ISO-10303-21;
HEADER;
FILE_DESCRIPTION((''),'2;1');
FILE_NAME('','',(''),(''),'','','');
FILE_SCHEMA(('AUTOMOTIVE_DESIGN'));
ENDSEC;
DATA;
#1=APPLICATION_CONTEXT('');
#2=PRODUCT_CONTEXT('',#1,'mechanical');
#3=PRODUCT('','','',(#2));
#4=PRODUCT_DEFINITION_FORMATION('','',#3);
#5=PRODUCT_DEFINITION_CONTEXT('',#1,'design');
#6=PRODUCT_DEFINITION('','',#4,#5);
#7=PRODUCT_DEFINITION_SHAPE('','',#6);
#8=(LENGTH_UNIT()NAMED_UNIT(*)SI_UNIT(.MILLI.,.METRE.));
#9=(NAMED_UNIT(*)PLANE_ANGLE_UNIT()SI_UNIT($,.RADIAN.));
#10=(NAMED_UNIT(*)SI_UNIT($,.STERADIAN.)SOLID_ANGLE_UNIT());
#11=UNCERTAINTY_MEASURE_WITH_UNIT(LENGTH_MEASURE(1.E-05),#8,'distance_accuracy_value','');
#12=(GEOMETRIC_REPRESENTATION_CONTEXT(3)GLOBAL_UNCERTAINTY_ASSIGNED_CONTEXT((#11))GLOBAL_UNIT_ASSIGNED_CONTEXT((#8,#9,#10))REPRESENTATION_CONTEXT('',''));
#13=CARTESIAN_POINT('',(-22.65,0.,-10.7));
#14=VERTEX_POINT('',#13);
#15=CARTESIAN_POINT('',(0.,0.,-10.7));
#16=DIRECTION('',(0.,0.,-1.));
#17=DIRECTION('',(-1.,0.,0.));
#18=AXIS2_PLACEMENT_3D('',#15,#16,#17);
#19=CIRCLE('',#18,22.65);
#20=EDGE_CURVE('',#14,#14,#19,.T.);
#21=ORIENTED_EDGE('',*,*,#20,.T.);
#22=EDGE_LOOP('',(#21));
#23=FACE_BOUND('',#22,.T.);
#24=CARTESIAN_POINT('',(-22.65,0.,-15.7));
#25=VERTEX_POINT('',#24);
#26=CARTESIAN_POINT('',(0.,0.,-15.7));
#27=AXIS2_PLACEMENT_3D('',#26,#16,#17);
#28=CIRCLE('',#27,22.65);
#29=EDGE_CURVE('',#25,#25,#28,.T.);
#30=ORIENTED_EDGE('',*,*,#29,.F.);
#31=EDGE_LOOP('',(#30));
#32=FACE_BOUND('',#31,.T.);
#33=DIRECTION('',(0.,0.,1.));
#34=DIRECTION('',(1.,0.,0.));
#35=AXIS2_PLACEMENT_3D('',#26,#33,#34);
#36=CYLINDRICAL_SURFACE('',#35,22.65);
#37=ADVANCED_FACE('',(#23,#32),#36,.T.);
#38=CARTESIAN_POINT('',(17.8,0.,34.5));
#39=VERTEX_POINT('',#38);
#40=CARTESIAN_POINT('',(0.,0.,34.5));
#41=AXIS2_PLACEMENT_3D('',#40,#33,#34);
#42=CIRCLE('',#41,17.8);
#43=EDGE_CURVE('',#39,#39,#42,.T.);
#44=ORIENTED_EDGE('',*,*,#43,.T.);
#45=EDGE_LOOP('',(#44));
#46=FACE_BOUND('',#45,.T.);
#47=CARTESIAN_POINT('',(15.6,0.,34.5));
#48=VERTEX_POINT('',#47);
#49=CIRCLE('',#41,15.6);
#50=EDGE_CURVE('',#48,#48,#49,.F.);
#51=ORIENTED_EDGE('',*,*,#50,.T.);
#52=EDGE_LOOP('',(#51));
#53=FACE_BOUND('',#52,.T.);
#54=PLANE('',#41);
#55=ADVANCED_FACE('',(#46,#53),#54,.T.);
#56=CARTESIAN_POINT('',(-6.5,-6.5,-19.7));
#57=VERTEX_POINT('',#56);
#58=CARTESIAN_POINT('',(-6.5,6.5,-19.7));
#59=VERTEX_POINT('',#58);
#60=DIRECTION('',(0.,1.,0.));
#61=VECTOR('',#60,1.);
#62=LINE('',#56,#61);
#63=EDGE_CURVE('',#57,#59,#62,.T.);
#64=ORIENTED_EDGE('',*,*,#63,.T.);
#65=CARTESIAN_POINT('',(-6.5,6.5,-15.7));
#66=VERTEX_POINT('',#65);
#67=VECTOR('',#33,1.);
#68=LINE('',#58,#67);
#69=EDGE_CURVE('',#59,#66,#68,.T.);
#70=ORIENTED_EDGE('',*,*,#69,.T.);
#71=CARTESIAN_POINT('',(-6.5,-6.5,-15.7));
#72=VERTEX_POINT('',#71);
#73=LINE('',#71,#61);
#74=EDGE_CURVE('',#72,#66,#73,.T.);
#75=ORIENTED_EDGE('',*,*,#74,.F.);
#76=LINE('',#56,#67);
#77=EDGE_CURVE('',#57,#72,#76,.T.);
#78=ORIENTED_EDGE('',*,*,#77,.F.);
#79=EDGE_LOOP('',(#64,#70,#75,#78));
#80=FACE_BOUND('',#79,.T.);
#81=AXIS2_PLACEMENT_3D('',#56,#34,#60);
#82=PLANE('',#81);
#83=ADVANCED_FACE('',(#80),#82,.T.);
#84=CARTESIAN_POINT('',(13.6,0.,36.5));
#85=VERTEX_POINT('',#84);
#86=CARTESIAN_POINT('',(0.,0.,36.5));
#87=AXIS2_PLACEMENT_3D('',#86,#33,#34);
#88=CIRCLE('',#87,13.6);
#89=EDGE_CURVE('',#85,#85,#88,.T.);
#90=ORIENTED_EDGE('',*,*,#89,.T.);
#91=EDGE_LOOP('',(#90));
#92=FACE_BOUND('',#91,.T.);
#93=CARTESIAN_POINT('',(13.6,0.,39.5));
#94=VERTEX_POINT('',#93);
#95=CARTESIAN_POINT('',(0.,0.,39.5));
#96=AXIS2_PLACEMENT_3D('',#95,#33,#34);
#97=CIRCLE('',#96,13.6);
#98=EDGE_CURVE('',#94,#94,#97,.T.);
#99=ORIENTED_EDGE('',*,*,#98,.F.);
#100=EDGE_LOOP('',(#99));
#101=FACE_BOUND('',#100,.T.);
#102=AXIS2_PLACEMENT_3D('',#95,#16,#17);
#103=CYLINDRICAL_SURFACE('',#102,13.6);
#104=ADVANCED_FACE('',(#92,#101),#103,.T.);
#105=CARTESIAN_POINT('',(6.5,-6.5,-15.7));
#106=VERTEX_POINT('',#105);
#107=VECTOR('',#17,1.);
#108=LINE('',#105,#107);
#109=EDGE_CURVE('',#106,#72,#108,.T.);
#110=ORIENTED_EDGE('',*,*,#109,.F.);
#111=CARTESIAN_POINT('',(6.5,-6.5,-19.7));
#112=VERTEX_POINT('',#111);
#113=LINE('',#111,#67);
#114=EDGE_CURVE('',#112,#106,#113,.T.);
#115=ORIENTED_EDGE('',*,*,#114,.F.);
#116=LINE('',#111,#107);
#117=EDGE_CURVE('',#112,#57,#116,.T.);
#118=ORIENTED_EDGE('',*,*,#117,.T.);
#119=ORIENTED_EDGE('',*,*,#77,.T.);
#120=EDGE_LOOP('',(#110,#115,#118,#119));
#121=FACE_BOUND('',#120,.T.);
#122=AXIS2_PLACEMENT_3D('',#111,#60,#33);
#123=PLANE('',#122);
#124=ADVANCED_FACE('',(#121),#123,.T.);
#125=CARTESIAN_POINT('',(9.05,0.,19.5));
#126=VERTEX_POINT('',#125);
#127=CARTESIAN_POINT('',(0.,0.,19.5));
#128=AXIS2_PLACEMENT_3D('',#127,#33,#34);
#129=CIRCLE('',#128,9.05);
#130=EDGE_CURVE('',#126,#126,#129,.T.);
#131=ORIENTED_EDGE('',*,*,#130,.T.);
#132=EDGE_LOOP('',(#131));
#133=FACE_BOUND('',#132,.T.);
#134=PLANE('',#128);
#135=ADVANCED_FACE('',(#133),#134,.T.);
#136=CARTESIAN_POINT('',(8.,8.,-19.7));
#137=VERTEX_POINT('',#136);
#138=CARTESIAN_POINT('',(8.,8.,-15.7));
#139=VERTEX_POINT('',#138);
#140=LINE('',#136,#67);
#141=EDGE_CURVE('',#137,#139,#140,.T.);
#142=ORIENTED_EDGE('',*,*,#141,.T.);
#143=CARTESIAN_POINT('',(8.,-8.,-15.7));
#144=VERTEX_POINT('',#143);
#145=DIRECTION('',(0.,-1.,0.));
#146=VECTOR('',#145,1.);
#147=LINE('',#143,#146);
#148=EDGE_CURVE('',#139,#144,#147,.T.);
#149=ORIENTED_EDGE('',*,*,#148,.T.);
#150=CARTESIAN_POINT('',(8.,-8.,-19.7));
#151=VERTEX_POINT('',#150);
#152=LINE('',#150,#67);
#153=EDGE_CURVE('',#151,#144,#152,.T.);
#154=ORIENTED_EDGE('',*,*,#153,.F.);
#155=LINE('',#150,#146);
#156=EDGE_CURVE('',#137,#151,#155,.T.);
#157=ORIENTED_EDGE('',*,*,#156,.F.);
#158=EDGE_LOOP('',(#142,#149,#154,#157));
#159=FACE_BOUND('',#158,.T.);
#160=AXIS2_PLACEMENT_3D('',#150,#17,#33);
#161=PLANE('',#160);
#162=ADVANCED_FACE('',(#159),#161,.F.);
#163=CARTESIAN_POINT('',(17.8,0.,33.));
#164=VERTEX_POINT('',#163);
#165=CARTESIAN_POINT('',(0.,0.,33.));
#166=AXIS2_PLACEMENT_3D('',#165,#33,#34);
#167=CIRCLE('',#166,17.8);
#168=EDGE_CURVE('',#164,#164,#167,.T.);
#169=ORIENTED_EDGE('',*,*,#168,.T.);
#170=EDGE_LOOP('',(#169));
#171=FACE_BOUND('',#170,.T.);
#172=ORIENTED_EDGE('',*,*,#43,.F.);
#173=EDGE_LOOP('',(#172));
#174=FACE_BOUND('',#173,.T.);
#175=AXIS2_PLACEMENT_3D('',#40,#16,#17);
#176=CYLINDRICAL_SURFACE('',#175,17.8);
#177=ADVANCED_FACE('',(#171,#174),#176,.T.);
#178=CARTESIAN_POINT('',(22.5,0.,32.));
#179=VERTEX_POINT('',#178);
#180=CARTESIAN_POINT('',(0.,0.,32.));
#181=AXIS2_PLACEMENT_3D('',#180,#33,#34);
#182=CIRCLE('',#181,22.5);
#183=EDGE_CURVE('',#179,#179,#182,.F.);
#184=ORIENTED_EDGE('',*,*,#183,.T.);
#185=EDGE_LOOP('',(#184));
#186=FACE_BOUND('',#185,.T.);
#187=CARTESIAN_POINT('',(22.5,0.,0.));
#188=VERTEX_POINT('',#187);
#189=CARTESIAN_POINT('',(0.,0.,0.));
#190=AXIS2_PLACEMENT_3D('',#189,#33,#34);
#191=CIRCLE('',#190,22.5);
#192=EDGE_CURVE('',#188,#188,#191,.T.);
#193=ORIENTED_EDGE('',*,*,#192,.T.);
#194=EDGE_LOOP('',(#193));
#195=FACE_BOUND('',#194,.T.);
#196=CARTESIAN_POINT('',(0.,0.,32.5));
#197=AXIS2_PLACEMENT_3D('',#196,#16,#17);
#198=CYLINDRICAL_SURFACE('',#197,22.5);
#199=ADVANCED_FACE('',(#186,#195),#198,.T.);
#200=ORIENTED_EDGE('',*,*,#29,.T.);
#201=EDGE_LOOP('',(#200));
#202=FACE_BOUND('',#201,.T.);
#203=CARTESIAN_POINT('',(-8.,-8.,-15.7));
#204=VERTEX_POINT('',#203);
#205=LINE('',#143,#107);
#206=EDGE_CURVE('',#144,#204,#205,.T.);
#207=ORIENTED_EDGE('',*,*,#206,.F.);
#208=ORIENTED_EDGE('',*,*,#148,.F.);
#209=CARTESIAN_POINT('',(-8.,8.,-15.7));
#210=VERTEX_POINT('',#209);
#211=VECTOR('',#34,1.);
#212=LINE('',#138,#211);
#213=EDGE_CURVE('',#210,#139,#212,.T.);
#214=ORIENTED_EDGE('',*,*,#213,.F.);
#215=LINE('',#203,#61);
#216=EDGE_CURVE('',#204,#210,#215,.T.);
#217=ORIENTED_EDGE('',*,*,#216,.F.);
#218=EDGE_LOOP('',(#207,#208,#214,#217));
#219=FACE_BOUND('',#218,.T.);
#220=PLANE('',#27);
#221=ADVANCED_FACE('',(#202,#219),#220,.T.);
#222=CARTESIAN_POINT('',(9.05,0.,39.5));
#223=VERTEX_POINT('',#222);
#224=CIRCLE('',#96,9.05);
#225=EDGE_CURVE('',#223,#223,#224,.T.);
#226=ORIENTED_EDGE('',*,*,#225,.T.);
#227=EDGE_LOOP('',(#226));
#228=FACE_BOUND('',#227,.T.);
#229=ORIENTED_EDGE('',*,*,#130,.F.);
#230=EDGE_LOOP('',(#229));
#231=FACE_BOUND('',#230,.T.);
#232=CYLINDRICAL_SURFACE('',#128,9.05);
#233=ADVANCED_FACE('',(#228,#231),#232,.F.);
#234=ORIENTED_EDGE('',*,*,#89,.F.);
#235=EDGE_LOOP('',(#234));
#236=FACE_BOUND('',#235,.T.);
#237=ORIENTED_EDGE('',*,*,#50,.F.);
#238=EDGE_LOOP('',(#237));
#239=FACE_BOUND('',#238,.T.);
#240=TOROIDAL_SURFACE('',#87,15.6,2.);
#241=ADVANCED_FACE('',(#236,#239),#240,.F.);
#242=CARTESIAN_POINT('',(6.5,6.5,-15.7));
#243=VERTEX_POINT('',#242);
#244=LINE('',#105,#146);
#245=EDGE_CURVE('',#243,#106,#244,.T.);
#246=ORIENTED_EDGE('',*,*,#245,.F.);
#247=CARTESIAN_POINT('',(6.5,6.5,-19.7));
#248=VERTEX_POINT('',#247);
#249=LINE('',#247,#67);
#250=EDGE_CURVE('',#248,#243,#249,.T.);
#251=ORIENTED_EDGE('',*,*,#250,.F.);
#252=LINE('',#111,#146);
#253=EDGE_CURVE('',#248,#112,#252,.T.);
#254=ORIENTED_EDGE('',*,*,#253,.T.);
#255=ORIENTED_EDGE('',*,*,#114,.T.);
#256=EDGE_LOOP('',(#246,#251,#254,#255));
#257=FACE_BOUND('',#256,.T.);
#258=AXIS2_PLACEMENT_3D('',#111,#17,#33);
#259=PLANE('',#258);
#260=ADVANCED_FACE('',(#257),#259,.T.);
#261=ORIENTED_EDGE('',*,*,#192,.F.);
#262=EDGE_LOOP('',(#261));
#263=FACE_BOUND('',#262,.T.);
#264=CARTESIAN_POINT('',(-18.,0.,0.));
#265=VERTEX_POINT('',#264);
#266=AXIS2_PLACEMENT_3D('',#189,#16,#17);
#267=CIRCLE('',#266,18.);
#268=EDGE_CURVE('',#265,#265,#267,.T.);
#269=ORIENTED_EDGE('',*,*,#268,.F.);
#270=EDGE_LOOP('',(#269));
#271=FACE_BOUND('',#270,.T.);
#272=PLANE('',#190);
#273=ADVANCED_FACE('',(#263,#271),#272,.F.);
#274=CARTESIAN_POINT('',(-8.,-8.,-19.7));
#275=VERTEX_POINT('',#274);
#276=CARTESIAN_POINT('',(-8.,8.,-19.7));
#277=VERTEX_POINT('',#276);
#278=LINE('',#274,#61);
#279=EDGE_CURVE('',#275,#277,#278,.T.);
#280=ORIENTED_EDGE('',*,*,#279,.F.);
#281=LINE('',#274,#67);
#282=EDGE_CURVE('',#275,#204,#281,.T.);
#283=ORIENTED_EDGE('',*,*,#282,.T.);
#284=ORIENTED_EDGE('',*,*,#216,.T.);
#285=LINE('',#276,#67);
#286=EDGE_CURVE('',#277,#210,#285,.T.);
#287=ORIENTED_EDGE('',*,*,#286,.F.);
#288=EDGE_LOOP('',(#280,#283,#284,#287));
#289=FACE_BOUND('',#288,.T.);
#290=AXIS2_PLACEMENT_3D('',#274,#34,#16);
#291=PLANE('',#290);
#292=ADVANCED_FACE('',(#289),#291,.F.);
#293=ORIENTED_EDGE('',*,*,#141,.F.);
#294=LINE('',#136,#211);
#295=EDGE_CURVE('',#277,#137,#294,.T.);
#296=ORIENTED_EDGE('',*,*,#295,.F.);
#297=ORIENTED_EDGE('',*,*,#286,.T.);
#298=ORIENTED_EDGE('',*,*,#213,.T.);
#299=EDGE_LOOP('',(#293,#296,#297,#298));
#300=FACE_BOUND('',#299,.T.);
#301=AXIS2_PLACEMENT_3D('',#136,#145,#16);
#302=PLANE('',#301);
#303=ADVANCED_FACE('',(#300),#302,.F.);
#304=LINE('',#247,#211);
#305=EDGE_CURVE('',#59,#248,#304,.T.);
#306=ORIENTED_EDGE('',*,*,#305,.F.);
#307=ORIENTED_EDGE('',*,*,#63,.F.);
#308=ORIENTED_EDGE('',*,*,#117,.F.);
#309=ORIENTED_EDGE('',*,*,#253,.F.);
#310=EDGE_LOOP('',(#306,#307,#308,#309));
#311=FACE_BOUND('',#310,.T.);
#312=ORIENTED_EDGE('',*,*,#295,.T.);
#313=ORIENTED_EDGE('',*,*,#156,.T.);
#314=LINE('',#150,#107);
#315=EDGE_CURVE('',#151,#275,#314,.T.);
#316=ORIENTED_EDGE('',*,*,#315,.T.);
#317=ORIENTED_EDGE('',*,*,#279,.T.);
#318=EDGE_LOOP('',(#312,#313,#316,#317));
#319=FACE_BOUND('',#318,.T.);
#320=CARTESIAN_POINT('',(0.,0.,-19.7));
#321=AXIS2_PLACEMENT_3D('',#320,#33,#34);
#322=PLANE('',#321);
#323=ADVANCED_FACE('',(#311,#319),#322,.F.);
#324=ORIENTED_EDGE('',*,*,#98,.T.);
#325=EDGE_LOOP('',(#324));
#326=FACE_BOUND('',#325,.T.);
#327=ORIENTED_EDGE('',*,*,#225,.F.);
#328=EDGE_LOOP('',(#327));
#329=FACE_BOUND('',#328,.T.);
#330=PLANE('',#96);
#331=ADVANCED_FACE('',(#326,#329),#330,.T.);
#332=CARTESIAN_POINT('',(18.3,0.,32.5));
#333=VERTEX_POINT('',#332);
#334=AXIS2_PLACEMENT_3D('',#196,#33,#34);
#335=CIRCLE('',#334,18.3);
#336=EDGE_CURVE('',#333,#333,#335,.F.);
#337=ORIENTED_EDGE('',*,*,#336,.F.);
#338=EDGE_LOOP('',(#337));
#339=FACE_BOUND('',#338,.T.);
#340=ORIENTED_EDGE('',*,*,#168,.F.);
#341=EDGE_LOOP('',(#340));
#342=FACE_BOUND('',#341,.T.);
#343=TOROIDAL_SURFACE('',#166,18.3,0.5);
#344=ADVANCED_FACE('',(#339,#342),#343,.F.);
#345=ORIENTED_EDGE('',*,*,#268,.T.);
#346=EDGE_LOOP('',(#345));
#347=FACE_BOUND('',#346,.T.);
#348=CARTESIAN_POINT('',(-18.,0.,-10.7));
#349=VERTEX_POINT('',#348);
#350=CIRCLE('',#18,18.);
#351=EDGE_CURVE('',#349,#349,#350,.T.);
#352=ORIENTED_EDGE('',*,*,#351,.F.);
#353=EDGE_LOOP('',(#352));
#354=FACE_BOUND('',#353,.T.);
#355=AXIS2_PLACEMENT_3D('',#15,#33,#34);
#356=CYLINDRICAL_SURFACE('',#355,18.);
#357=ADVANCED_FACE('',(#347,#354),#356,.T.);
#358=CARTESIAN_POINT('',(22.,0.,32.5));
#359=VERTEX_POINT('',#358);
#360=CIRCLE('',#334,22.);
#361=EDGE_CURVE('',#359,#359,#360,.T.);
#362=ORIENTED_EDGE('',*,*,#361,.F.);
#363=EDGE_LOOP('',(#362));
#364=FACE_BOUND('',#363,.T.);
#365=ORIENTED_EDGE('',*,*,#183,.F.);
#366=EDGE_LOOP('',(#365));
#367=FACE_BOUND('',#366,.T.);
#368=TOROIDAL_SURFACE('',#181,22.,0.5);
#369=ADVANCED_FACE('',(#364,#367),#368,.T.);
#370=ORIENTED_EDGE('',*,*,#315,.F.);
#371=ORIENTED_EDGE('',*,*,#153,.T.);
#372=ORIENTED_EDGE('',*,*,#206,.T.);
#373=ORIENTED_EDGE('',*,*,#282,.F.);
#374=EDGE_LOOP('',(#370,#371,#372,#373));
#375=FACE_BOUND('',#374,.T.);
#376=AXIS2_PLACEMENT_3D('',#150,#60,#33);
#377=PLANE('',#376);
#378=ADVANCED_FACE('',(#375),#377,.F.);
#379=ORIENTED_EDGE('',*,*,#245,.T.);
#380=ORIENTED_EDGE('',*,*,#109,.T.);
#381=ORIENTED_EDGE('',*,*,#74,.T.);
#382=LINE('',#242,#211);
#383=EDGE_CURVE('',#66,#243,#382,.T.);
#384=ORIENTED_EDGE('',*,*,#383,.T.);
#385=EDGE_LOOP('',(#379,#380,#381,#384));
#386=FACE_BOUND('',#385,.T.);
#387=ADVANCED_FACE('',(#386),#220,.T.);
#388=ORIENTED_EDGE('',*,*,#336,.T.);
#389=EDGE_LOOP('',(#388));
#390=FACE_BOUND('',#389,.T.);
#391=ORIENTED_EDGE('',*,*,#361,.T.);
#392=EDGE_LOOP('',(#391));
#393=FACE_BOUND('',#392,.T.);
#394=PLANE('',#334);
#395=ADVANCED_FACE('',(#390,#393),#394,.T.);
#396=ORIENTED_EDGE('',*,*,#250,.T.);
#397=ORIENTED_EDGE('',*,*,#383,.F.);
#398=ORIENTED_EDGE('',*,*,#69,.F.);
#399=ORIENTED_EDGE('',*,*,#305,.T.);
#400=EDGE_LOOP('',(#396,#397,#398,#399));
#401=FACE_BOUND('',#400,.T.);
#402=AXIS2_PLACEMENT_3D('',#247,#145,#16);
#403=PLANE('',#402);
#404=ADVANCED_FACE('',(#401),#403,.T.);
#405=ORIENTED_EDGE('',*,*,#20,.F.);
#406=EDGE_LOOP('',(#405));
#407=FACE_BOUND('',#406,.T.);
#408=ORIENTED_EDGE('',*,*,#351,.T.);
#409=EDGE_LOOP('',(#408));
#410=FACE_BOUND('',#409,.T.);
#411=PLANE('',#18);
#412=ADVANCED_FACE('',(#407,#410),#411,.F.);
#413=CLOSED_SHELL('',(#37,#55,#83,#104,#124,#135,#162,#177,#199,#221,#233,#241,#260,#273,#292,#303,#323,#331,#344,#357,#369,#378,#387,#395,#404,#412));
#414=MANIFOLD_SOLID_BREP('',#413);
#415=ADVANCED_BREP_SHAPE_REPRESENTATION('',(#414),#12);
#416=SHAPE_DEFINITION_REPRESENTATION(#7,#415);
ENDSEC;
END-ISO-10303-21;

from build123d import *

# Parameters (mm, degrees)
IZIM1_R                     = 22.5
Y_KSEKLIK_EKSTR_ZYON1_DEPTH = 32.5
IZIM2_R                     = 17.8
Y_KSEKLIK_EKSTR_ZYON2_DEPTH = 2
RADYUS1_R                   = 0.5
IZIM3_R                     = 13.6
Y_KSEKLIK_EKSTR_ZYON3_DEPTH = 5
RADYUS2_R                   = 2
IZIM4_R                     = 9.05
KES_EKSTR_ZYON1_DEPTH       = 20
RADYUS3_R                   = 0.5
IZIM5_R                     = 18
Y_KSEKLIK_EKSTR_ZYON4_DEPTH = 10.7
IZIM6_R                     = 22.65
Y_KSEKLIK_EKSTR_ZYON5_DEPTH = 5
IZIM7_W                     = 16
IZIM7_H                     = 16
IZIM7_W_2                   = 13
IZIM7_H_2                   = 13
Y_KSEKLIK_EKSTR_ZYON6_DEPTH = 4


with BuildPart() as part:
    # Çizim1 → Yükseklik-Ekstrüzyon1 (new body)
    with BuildSketch(Plane.XY):
        Circle(IZIM1_R)
    extrude(amount=Y_KSEKLIK_EKSTR_ZYON1_DEPTH)

    # Çizim2 → Yükseklik-Ekstrüzyon2 (add)
    with BuildSketch(Plane.XY.offset(32.5)):
        Circle(IZIM2_R)
    extrude(amount=Y_KSEKLIK_EKSTR_ZYON2_DEPTH)

    # Radyus1
    radyus1_edges = [part.edges().sort_by_distance(p)[0] for p in [
        (-17.8, 0, 32.5),
    ]]
    fillet(radyus1_edges, radius=RADYUS1_R)

    # Çizim3 → Yükseklik-Ekstrüzyon3 (add)
    with BuildSketch(Plane.XY.offset(34.5)):
        Circle(IZIM3_R)
    extrude(amount=Y_KSEKLIK_EKSTR_ZYON3_DEPTH)

    # Radyus2
    radyus2_edges = [part.edges().sort_by_distance(p)[0] for p in [
        (-13.6, 0, 34.5),
    ]]
    fillet(radyus2_edges, radius=RADYUS2_R)

    # Çizim4 → Kes-Ekstrüzyon1 (cut)
    with BuildSketch(Plane.XY.offset(39.5)):
        Circle(IZIM4_R)
    extrude(amount=-KES_EKSTR_ZYON1_DEPTH, mode=Mode.SUBTRACT)

    # Radyus3
    radyus3_edges = [part.edges().sort_by_distance(p)[0] for p in [
        (-22.5, 0, 32.5),
    ]]
    fillet(radyus3_edges, radius=RADYUS3_R)

    # Çizim5 → Yükseklik-Ekstrüzyon4 (add)
    with BuildSketch(Plane(origin=(0, 0, 0), x_dir=(-1, 0, 0), z_dir=(0, 0, -1))):
        Circle(IZIM5_R)
    extrude(amount=Y_KSEKLIK_EKSTR_ZYON4_DEPTH)

    # Çizim6 → Yükseklik-Ekstrüzyon5 (add)
    with BuildSketch(Plane(origin=(0, 0, -10.7), x_dir=(-1, 0, 0), z_dir=(0, 0, -1))):
        Circle(IZIM6_R)
    extrude(amount=Y_KSEKLIK_EKSTR_ZYON5_DEPTH)

    # Çizim7 → Yükseklik-Ekstrüzyon6 (add)
    with BuildSketch(Plane(origin=(0, 0, -15.7), x_dir=(-1, 0, 0), z_dir=(0, 0, -1))):
        Rectangle(IZIM7_W, IZIM7_H)
        Rectangle(IZIM7_W_2, IZIM7_H_2, mode=Mode.SUBTRACT)
    extrude(amount=Y_KSEKLIK_EKSTR_ZYON6_DEPTH)


solid = part.part
